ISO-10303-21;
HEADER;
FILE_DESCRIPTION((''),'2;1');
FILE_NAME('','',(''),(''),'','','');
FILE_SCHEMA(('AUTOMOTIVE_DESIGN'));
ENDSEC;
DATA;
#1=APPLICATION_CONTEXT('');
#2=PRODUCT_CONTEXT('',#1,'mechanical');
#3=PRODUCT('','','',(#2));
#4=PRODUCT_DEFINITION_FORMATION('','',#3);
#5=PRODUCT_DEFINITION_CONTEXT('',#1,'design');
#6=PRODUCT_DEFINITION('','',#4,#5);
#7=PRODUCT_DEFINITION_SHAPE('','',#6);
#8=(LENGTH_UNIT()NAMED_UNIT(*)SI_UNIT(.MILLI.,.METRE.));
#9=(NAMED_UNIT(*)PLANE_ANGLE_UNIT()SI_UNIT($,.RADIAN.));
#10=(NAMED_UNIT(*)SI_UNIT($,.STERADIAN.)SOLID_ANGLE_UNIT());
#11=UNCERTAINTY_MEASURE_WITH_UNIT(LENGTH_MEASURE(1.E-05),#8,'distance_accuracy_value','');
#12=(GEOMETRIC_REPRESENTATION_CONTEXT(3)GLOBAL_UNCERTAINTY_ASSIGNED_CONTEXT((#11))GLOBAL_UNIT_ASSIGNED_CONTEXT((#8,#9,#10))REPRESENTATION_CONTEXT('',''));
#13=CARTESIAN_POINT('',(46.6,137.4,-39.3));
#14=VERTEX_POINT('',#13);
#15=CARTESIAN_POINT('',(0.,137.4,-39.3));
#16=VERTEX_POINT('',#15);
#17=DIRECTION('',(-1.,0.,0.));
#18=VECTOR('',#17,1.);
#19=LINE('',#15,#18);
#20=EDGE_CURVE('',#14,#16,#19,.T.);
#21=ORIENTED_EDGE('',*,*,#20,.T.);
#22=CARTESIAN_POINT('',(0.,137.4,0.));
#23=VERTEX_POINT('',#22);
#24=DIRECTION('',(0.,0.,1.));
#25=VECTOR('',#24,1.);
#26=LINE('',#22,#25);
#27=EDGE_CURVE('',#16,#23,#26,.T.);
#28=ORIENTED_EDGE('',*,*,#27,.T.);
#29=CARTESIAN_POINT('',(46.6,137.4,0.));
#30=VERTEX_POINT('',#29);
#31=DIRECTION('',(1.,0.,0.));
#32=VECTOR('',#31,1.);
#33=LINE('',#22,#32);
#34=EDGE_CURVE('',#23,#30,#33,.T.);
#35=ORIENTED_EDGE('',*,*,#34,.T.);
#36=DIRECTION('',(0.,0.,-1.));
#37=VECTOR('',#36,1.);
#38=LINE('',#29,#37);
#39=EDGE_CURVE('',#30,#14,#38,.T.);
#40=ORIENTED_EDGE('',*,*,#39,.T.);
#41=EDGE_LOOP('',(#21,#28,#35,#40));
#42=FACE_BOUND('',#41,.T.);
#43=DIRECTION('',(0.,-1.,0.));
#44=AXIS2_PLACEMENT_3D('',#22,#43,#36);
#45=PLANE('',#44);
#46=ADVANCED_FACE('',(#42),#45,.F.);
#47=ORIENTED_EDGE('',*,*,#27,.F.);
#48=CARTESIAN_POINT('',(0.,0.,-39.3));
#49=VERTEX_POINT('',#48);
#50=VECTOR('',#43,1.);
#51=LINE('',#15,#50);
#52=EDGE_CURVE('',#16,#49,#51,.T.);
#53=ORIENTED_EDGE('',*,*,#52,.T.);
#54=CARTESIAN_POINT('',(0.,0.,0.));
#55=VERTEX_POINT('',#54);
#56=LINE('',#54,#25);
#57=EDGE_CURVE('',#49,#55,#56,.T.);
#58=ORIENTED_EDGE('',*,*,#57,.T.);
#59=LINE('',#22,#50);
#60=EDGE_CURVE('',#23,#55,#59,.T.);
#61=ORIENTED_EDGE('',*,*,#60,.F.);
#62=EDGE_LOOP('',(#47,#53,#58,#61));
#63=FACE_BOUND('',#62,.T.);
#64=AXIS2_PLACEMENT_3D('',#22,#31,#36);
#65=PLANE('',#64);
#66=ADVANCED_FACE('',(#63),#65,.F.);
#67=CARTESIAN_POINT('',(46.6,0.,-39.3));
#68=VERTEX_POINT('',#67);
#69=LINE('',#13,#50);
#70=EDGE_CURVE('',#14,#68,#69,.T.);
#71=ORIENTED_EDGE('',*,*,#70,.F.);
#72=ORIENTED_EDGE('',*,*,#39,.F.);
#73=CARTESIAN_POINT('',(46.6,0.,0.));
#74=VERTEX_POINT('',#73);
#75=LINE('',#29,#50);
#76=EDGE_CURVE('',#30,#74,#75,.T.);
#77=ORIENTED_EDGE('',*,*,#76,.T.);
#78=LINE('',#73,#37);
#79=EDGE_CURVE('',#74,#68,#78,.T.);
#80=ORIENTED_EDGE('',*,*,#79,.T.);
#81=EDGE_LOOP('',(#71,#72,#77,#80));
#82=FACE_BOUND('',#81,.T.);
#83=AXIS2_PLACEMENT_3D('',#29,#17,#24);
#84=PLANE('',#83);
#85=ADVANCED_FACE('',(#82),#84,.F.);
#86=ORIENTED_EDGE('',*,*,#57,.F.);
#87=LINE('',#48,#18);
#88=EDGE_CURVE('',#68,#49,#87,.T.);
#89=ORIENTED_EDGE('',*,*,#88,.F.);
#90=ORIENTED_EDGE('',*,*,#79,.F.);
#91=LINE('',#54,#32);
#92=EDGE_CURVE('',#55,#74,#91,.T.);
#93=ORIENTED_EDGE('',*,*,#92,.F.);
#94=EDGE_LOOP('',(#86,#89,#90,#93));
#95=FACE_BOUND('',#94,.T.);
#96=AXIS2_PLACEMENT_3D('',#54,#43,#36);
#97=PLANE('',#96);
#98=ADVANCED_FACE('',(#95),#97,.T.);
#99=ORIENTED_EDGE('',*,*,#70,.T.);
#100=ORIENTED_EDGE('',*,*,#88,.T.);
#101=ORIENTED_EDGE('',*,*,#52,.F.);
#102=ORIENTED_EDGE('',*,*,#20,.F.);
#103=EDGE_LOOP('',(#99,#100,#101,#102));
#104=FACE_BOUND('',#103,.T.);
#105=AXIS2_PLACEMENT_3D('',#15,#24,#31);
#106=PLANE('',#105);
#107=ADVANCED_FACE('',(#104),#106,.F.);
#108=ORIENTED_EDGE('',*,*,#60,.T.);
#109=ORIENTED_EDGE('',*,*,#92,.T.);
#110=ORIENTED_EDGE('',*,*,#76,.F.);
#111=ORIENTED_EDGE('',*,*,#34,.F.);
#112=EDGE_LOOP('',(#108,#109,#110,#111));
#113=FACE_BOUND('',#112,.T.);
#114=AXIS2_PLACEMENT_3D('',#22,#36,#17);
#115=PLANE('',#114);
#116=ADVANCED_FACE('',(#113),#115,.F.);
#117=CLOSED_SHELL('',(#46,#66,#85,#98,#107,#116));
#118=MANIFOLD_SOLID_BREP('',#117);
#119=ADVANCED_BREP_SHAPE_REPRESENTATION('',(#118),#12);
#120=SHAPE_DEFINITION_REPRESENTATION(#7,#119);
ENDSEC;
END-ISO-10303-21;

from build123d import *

# Parameters (mm, degrees)
SKETCH1_W           = 46.6
SKETCH1_H           = 39.3
BOSS_EXTRUDE1_DEPTH = 137.4


with BuildPart() as part:
    # Sketch1 → Boss-Extrude1 (new body)
    with BuildSketch(Plane(origin=(0, 0, 0), x_dir=(1, 0, 0), z_dir=(0, 1, 0))):
        with Locations((23.3, 19.65)):
            Rectangle(SKETCH1_W, SKETCH1_H)
    extrude(amount=BOSS_EXTRUDE1_DEPTH)


solid = part.part
